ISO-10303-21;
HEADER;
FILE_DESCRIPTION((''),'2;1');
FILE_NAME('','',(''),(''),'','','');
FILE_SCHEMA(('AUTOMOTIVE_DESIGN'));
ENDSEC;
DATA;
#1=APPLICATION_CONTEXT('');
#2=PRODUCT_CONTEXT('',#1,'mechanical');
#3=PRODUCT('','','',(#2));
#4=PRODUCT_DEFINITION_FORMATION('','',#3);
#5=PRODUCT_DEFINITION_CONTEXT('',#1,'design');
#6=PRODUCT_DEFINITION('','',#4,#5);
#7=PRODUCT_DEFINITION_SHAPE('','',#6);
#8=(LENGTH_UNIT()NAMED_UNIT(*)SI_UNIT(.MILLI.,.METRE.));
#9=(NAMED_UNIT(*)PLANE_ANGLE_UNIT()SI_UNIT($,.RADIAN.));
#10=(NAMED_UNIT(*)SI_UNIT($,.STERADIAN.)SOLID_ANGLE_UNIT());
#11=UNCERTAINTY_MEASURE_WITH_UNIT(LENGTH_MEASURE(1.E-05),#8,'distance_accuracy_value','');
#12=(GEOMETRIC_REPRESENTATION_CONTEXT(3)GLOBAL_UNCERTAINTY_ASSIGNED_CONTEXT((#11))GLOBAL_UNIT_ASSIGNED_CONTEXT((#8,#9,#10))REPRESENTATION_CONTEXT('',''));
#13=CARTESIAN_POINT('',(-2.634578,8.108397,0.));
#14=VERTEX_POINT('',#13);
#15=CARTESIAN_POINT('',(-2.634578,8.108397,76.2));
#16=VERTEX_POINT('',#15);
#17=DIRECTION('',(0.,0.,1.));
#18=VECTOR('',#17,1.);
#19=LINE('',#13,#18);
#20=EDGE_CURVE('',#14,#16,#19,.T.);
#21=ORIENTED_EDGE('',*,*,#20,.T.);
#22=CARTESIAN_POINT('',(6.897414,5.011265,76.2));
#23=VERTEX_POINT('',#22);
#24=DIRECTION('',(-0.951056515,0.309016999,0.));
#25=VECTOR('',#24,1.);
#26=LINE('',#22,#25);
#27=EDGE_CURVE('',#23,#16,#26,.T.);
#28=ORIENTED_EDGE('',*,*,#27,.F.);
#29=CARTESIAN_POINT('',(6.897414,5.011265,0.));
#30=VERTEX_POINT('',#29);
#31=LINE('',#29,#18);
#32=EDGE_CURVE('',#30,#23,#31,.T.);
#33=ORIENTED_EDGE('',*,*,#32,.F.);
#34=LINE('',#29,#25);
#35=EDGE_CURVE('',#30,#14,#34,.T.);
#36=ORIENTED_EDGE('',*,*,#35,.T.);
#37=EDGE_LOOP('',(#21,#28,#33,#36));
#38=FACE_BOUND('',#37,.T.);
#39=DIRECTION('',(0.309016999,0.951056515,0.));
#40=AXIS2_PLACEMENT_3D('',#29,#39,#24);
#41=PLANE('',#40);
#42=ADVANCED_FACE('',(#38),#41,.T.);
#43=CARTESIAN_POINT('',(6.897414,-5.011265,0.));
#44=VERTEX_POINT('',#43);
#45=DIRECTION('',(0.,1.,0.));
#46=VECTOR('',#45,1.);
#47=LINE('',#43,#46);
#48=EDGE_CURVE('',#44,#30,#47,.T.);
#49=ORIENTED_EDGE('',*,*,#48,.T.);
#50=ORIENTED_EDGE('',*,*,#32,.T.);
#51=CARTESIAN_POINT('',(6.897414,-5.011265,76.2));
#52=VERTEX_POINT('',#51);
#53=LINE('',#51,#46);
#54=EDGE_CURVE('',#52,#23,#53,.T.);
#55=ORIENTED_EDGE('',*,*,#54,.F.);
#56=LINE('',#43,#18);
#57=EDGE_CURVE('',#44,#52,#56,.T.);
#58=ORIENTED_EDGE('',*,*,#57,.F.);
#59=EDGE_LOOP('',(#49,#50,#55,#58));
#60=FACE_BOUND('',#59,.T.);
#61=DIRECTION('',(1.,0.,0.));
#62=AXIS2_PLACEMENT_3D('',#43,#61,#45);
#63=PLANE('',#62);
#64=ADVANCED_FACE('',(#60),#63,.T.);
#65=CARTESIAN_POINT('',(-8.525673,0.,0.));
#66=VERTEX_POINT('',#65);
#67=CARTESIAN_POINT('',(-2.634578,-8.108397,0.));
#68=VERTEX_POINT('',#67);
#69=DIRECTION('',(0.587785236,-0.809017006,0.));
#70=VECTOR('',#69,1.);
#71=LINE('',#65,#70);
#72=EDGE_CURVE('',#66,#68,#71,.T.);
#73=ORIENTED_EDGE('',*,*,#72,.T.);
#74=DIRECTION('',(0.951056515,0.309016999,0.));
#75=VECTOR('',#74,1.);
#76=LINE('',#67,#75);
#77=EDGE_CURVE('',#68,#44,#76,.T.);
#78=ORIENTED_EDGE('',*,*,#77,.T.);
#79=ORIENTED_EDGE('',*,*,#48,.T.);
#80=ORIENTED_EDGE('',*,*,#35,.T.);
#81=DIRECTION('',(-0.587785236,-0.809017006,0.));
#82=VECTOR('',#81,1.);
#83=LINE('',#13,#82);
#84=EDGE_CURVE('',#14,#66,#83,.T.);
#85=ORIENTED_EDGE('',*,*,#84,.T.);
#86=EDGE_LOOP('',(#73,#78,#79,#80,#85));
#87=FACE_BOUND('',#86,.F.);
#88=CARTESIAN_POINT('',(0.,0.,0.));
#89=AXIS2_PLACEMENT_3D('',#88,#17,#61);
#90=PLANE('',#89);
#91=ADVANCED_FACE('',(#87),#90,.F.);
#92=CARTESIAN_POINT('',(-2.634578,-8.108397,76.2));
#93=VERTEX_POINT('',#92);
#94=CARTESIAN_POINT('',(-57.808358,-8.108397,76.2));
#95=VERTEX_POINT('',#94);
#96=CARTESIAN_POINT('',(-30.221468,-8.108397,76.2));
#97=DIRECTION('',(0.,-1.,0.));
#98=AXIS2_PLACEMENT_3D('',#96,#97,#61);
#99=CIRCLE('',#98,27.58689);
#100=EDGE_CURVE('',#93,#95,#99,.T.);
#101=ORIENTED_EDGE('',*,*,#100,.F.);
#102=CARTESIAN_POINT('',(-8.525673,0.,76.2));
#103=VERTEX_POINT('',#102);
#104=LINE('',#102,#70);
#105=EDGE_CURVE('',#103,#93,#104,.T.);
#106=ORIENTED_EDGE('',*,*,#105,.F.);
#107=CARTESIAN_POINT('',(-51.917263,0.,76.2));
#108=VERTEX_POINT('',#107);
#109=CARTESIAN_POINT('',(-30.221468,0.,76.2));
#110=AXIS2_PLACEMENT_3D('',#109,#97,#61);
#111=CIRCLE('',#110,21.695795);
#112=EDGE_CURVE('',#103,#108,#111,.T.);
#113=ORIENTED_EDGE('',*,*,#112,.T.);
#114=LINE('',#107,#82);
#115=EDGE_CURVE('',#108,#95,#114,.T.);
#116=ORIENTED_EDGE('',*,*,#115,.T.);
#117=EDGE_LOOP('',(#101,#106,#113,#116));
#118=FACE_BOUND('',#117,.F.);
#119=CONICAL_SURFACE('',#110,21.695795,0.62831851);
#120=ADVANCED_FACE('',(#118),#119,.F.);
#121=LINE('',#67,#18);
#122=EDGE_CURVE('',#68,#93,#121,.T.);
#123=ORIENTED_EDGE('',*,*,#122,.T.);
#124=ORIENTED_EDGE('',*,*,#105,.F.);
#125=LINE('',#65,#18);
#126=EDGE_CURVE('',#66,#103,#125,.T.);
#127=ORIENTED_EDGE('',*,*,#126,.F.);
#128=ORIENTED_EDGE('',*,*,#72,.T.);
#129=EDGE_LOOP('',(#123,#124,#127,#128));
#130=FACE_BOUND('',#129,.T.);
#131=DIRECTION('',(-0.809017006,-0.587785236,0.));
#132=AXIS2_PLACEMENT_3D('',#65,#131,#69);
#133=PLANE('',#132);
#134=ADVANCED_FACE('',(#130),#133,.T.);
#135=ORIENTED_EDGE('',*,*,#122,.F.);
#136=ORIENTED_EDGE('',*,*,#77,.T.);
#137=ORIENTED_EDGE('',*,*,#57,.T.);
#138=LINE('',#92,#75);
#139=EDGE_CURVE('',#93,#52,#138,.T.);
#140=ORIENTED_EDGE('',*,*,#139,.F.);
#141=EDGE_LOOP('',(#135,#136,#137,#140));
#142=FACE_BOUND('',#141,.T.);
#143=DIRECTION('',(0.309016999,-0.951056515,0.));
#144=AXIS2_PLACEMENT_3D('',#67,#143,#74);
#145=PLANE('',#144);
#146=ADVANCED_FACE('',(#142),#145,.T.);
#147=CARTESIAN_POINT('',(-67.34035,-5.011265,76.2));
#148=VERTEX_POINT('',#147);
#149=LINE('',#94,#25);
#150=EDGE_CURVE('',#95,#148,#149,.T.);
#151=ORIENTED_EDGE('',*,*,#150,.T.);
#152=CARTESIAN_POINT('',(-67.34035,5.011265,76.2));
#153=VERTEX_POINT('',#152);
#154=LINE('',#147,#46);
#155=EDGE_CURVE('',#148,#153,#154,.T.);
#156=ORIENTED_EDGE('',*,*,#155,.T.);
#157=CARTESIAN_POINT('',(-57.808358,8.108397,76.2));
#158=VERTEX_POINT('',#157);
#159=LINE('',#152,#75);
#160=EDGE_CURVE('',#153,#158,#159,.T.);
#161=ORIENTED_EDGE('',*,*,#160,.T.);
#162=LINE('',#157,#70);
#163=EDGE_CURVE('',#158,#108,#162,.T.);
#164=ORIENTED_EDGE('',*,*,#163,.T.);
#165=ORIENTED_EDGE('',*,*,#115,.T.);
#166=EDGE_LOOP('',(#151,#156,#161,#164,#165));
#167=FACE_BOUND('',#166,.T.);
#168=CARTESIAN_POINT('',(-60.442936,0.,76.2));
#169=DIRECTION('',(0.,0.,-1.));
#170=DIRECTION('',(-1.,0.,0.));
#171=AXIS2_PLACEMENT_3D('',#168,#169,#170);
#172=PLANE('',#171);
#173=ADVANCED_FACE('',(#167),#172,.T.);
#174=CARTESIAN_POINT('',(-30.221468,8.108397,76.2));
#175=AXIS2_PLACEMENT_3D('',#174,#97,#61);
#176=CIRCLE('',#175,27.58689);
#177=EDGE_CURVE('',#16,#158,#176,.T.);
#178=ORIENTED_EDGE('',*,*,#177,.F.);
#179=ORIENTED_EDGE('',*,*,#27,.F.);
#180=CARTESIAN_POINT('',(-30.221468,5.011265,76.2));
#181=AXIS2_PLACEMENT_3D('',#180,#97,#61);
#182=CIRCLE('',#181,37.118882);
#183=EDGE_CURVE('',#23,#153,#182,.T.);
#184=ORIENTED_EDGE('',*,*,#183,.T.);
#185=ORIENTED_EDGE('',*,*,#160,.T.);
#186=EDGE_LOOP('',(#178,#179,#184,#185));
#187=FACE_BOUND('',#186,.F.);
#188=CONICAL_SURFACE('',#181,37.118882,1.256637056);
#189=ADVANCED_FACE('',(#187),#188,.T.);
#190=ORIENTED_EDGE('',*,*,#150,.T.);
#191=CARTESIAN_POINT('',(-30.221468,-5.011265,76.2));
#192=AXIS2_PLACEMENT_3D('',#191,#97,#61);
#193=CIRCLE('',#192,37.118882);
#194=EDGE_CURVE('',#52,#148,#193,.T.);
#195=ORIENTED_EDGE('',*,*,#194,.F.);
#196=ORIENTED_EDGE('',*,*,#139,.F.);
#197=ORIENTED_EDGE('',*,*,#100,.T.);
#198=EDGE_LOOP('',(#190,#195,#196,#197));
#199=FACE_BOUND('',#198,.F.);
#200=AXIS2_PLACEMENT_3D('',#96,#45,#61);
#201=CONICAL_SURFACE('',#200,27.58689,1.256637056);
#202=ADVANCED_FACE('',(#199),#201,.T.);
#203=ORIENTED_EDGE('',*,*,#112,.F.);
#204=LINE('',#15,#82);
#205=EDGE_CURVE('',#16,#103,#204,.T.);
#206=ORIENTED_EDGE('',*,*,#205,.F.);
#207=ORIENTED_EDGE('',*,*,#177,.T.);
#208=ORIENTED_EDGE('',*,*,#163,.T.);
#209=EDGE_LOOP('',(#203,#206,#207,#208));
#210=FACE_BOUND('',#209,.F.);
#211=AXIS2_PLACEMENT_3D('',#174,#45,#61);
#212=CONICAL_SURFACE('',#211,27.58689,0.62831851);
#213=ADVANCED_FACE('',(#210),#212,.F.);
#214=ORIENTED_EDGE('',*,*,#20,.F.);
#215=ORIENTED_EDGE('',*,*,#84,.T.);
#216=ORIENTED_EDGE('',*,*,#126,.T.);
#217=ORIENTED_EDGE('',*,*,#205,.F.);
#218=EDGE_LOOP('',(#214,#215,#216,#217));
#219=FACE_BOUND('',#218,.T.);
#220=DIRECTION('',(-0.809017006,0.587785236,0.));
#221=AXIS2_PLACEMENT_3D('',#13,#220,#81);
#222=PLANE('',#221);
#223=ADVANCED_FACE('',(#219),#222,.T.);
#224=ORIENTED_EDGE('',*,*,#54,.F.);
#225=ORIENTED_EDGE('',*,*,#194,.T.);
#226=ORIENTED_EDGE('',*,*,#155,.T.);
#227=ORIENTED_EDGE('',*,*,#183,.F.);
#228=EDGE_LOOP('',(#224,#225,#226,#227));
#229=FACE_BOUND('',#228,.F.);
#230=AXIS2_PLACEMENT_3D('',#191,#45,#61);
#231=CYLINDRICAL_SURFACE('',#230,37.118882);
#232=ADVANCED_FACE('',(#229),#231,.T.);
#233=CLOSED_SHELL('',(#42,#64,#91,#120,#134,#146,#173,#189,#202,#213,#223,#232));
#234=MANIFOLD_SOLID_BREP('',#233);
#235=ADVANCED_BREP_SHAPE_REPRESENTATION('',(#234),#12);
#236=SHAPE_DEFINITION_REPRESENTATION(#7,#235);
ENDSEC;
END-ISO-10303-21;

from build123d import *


with BuildPart() as f2:
    # F2: sweep along a path in F0
    with BuildLine(Plane.XZ) as f2_path:
        Line((0, 0), (0, 76.2))
        ThreePointArc((0, 76.2), (-30.221468, 106.421468), (-60.442936, 76.2))
    # F1 (on Top) → F2 (sweep)
    with BuildSketch(Plane.XY):
        Polygon((6.897414, -5.011265), (6.897414, 5.011265), (-2.634578, 8.108397), (-8.525673, 0), (-2.634578, -8.108397), align=None)
    sweep(path=f2_path.line)


solid = f2.part
